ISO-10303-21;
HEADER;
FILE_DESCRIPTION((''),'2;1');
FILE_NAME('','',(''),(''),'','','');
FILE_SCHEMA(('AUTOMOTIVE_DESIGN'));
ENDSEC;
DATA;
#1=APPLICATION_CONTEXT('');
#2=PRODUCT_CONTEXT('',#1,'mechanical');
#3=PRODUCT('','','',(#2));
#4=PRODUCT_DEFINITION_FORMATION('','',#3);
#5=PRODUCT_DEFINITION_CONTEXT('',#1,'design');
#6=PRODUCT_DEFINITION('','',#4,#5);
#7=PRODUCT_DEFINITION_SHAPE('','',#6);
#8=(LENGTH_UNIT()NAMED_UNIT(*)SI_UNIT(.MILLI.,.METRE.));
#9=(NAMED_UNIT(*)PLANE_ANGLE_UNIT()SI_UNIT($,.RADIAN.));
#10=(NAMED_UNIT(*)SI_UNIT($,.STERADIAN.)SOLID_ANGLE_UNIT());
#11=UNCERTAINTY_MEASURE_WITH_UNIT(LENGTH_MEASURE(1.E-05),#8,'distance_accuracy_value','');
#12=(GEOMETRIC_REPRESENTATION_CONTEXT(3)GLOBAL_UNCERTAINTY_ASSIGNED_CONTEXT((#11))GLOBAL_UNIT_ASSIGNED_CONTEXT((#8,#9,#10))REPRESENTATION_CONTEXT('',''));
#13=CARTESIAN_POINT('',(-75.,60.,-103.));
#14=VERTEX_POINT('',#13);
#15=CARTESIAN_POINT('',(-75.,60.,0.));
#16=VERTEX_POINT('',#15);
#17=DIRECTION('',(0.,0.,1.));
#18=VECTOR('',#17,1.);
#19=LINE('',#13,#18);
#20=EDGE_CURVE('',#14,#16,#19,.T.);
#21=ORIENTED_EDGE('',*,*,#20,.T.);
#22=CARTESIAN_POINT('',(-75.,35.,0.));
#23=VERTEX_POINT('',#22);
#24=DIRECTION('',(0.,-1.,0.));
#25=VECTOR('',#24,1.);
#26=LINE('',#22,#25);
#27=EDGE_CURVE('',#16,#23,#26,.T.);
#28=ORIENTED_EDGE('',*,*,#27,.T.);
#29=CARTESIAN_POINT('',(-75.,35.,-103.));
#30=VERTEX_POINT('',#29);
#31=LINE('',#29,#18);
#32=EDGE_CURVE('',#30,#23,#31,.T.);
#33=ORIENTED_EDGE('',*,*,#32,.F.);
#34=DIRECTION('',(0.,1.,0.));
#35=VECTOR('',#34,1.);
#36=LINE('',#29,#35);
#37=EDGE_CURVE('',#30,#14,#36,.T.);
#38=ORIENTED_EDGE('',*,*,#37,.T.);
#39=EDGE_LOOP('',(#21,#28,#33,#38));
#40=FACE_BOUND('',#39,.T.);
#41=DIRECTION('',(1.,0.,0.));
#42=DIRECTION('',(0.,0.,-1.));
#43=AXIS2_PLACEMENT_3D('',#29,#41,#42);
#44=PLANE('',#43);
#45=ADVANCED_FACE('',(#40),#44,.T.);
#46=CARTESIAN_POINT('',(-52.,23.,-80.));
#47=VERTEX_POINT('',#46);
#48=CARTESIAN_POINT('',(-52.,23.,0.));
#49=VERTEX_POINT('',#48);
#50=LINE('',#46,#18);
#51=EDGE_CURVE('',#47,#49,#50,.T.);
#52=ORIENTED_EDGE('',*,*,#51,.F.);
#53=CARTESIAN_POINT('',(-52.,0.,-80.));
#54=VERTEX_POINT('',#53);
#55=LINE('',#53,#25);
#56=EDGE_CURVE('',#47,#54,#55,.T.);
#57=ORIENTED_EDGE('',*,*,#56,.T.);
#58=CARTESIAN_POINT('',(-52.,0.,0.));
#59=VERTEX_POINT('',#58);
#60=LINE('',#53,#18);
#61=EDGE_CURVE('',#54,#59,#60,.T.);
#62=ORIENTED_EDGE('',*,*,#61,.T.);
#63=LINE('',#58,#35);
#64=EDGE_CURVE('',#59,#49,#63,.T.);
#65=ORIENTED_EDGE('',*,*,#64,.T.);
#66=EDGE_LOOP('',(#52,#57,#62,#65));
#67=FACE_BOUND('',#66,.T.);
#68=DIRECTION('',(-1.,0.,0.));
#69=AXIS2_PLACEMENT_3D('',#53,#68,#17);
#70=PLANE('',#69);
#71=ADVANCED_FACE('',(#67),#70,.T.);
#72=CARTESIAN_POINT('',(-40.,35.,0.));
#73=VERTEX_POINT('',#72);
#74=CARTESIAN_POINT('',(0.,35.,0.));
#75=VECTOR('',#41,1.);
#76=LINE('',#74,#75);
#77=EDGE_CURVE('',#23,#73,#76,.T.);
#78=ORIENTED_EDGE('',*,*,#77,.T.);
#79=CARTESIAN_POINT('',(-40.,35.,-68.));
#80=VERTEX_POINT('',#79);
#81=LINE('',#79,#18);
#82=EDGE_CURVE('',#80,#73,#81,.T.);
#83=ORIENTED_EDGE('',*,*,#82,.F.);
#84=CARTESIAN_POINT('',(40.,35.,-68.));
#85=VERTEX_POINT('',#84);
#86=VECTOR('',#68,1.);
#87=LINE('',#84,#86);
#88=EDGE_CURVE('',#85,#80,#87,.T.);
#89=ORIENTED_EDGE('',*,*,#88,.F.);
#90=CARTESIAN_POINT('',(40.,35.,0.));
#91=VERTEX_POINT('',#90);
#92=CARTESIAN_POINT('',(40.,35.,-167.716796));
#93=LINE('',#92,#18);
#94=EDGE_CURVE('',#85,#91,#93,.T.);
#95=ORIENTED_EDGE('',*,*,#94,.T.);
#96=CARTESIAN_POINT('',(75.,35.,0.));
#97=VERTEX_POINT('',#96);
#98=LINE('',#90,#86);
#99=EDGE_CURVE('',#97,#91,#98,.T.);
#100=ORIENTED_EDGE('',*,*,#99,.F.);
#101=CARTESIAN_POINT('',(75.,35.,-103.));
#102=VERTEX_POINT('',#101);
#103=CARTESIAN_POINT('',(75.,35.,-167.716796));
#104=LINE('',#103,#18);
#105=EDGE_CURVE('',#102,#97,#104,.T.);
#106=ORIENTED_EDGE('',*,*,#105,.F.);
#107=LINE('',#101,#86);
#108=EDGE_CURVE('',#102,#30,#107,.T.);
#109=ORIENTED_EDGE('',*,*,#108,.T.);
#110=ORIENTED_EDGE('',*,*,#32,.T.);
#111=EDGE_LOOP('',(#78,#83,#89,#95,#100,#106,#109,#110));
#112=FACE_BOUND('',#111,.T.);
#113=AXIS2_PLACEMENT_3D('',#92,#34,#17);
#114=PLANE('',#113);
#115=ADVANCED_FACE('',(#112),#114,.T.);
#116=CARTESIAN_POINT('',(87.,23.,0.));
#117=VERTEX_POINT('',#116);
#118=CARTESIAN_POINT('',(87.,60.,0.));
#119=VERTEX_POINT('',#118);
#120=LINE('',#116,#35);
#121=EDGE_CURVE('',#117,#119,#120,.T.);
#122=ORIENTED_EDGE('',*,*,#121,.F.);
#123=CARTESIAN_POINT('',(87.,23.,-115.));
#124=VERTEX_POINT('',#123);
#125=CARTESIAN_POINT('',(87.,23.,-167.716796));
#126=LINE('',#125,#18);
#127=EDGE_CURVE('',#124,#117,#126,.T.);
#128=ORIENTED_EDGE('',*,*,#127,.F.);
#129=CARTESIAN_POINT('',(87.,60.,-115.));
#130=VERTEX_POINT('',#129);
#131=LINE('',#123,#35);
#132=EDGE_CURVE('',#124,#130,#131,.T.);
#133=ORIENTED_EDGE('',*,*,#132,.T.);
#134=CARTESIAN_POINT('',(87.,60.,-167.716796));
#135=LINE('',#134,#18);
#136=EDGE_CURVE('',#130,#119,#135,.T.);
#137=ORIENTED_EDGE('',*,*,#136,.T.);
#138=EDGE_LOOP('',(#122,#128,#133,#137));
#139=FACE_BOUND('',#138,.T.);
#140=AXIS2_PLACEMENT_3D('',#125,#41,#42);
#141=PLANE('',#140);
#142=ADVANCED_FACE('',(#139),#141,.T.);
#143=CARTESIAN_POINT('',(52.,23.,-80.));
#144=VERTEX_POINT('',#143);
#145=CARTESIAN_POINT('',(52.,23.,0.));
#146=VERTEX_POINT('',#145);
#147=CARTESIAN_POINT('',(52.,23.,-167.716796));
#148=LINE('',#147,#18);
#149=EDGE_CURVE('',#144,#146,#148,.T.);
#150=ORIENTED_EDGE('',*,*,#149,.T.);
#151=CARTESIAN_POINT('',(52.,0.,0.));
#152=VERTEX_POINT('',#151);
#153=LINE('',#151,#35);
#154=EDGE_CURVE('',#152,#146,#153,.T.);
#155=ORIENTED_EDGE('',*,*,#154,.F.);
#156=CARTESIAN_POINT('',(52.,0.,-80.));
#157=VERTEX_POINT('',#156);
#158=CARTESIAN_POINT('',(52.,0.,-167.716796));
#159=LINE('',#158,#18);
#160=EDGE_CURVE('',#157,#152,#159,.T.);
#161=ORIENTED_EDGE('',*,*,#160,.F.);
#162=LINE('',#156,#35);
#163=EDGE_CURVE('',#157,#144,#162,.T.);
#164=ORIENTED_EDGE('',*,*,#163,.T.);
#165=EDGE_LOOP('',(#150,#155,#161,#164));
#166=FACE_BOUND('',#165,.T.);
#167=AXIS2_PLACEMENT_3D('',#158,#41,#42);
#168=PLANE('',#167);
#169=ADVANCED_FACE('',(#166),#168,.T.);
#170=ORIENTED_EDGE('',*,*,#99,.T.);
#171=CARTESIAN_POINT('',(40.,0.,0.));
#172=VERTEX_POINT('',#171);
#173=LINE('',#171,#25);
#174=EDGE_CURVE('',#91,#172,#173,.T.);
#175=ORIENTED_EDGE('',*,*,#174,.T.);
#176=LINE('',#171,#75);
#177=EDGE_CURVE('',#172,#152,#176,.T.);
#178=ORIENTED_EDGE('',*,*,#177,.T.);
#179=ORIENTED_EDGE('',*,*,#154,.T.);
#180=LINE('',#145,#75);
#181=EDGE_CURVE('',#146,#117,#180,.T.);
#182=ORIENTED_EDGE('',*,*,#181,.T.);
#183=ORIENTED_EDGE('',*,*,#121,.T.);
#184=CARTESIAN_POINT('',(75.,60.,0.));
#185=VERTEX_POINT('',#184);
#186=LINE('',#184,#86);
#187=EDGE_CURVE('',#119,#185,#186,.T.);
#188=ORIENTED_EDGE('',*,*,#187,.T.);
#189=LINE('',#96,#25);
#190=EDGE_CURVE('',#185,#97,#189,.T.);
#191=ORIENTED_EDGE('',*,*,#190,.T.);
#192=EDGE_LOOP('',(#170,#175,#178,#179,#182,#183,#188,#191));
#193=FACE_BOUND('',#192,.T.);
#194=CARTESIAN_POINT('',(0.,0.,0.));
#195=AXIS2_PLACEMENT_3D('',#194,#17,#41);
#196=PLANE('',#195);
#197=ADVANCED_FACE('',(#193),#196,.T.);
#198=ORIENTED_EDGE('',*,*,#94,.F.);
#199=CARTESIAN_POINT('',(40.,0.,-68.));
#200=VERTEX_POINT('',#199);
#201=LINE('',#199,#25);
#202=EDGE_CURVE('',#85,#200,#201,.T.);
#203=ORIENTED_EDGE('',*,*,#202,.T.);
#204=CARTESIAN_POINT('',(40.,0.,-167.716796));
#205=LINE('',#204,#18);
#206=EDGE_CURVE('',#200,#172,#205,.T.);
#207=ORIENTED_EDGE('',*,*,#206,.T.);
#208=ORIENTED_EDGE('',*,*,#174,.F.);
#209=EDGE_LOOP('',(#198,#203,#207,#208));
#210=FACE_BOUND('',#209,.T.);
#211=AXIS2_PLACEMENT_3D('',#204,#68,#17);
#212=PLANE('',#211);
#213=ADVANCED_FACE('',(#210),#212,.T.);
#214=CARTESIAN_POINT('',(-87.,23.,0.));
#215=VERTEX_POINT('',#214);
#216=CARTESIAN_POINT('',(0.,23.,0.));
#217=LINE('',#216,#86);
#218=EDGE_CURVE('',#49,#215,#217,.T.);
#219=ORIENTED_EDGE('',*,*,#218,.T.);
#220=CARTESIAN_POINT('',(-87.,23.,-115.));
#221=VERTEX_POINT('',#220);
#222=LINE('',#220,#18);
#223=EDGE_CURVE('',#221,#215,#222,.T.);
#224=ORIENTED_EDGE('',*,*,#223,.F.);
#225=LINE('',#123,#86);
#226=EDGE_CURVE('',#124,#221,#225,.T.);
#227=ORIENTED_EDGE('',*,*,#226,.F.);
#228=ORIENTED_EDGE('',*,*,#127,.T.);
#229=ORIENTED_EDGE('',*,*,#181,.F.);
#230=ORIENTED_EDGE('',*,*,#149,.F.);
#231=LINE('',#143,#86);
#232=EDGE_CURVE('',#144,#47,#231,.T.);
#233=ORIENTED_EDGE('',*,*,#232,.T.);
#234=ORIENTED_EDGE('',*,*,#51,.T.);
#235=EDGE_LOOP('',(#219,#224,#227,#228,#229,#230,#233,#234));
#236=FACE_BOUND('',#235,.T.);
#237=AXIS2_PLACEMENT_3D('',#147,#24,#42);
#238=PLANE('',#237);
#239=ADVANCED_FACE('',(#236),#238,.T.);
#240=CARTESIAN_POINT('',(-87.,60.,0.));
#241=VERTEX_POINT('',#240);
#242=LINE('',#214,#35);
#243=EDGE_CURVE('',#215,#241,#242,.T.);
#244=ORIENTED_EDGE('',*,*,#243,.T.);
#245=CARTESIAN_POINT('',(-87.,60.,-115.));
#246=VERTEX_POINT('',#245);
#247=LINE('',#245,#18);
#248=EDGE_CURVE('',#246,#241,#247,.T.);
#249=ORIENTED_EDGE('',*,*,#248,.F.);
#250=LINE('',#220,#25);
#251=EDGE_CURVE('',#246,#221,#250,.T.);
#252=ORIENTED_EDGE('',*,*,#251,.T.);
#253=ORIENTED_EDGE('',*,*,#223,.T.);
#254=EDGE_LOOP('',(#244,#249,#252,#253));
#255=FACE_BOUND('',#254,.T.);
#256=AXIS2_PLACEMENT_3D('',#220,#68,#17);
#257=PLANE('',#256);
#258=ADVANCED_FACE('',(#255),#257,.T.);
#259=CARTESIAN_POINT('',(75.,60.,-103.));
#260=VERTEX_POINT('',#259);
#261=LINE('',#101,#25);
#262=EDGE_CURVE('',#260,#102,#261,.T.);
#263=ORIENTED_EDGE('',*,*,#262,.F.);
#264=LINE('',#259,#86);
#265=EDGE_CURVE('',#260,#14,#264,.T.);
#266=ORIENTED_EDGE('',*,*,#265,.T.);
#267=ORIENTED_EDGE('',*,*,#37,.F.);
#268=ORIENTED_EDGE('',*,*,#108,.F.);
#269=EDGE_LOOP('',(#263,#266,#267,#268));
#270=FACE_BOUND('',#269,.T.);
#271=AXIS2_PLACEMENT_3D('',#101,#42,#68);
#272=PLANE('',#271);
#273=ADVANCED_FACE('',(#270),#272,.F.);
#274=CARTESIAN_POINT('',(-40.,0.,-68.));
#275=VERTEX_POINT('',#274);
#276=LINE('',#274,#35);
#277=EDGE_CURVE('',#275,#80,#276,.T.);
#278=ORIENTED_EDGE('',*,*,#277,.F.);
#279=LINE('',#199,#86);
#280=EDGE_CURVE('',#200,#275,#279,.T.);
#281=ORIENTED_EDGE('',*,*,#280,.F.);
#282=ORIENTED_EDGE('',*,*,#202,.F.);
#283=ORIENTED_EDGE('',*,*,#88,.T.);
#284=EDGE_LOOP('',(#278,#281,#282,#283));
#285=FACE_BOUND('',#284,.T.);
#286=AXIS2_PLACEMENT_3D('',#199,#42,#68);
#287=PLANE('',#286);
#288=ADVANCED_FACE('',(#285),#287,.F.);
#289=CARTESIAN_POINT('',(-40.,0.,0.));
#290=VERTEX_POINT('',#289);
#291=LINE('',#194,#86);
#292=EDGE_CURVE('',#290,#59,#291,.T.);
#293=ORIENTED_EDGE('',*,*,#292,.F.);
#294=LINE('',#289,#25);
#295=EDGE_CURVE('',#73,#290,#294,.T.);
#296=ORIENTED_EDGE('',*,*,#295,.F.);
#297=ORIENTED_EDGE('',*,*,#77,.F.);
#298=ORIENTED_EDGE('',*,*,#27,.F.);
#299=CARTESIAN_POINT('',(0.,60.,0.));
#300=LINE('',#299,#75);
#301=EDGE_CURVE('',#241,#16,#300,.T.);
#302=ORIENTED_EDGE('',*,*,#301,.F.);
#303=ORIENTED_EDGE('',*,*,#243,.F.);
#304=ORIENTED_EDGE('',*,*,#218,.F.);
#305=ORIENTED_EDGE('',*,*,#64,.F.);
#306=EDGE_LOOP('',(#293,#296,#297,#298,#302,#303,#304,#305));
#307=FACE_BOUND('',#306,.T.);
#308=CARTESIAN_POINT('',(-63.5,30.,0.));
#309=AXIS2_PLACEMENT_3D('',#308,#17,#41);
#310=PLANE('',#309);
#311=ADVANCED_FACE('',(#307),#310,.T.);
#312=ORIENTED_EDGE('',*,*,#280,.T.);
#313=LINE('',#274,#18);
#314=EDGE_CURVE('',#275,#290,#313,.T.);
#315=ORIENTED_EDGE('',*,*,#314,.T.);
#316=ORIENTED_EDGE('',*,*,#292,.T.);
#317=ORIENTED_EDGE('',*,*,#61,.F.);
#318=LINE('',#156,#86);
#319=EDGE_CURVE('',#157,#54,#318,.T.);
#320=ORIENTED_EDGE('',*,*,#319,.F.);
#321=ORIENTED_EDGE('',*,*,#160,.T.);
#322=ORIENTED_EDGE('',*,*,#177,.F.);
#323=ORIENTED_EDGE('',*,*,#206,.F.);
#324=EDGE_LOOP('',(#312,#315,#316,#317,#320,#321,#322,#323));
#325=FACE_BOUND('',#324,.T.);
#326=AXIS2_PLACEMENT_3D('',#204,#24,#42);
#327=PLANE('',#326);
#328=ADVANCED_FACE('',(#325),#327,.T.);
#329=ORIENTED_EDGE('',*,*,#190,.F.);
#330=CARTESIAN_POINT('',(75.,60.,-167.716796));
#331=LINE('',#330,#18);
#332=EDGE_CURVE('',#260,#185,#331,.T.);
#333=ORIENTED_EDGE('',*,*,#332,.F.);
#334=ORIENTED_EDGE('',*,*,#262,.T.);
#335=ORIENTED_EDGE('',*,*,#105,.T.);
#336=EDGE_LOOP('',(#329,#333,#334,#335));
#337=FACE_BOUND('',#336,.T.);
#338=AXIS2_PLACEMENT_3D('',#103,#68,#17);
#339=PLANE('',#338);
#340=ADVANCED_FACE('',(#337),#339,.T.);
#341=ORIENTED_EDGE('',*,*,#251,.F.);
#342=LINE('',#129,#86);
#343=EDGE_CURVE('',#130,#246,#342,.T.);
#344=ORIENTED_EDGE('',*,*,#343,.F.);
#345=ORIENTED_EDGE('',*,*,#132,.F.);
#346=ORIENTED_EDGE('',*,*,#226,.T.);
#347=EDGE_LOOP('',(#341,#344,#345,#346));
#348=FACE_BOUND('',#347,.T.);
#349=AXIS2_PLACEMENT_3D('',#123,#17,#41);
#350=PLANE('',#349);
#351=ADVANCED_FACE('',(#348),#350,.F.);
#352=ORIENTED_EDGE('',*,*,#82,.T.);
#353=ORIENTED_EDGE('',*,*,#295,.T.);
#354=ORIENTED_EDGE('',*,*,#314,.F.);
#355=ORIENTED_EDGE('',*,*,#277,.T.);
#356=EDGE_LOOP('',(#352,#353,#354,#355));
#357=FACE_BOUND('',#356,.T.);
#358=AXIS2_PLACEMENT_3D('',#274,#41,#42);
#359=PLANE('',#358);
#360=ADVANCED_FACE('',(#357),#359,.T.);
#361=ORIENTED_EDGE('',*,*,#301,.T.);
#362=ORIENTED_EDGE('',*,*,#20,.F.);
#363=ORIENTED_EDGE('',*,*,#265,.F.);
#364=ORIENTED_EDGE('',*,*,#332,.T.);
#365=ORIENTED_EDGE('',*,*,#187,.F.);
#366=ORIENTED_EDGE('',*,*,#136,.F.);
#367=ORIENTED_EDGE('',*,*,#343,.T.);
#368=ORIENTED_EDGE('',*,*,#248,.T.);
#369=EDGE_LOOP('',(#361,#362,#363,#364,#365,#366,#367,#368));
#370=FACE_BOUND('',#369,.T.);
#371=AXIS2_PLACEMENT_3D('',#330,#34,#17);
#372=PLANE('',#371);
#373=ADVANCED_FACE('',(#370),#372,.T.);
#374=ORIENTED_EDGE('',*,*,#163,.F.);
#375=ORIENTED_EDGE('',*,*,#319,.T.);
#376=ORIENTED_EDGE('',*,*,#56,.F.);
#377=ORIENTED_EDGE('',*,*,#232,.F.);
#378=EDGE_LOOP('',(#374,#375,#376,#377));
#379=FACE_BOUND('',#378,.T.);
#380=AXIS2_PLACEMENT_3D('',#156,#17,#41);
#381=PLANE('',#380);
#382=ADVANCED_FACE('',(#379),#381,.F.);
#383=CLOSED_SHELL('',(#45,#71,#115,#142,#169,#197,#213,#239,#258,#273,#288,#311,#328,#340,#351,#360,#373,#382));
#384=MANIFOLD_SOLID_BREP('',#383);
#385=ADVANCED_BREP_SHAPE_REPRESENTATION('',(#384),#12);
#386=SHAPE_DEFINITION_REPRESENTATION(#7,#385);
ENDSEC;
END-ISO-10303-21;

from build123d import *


with BuildPart() as part:
    # Sweep1: sweep along a path in Sketch2
    with BuildLine(Plane(origin=(0, 0, 0), x_dir=(1, 0, 0), z_dir=(0, 1, 0))) as sweep1_path:
        Line((-40, 0), (-40, 68))
        Line((-40, 68), (40, 68))
        Line((40, 68), (40, 0))
    # Sketch3 → Sweep1 (sweep)
    with BuildSketch(Plane.XY):
        Polygon((40, 0), (40, 35), (75, 35), (75, 60), (87, 60), (87, 23), (52, 23), (52, 0), align=None)
    sweep(path=sweep1_path.line, transition=Transition.RIGHT)


solid = part.part
